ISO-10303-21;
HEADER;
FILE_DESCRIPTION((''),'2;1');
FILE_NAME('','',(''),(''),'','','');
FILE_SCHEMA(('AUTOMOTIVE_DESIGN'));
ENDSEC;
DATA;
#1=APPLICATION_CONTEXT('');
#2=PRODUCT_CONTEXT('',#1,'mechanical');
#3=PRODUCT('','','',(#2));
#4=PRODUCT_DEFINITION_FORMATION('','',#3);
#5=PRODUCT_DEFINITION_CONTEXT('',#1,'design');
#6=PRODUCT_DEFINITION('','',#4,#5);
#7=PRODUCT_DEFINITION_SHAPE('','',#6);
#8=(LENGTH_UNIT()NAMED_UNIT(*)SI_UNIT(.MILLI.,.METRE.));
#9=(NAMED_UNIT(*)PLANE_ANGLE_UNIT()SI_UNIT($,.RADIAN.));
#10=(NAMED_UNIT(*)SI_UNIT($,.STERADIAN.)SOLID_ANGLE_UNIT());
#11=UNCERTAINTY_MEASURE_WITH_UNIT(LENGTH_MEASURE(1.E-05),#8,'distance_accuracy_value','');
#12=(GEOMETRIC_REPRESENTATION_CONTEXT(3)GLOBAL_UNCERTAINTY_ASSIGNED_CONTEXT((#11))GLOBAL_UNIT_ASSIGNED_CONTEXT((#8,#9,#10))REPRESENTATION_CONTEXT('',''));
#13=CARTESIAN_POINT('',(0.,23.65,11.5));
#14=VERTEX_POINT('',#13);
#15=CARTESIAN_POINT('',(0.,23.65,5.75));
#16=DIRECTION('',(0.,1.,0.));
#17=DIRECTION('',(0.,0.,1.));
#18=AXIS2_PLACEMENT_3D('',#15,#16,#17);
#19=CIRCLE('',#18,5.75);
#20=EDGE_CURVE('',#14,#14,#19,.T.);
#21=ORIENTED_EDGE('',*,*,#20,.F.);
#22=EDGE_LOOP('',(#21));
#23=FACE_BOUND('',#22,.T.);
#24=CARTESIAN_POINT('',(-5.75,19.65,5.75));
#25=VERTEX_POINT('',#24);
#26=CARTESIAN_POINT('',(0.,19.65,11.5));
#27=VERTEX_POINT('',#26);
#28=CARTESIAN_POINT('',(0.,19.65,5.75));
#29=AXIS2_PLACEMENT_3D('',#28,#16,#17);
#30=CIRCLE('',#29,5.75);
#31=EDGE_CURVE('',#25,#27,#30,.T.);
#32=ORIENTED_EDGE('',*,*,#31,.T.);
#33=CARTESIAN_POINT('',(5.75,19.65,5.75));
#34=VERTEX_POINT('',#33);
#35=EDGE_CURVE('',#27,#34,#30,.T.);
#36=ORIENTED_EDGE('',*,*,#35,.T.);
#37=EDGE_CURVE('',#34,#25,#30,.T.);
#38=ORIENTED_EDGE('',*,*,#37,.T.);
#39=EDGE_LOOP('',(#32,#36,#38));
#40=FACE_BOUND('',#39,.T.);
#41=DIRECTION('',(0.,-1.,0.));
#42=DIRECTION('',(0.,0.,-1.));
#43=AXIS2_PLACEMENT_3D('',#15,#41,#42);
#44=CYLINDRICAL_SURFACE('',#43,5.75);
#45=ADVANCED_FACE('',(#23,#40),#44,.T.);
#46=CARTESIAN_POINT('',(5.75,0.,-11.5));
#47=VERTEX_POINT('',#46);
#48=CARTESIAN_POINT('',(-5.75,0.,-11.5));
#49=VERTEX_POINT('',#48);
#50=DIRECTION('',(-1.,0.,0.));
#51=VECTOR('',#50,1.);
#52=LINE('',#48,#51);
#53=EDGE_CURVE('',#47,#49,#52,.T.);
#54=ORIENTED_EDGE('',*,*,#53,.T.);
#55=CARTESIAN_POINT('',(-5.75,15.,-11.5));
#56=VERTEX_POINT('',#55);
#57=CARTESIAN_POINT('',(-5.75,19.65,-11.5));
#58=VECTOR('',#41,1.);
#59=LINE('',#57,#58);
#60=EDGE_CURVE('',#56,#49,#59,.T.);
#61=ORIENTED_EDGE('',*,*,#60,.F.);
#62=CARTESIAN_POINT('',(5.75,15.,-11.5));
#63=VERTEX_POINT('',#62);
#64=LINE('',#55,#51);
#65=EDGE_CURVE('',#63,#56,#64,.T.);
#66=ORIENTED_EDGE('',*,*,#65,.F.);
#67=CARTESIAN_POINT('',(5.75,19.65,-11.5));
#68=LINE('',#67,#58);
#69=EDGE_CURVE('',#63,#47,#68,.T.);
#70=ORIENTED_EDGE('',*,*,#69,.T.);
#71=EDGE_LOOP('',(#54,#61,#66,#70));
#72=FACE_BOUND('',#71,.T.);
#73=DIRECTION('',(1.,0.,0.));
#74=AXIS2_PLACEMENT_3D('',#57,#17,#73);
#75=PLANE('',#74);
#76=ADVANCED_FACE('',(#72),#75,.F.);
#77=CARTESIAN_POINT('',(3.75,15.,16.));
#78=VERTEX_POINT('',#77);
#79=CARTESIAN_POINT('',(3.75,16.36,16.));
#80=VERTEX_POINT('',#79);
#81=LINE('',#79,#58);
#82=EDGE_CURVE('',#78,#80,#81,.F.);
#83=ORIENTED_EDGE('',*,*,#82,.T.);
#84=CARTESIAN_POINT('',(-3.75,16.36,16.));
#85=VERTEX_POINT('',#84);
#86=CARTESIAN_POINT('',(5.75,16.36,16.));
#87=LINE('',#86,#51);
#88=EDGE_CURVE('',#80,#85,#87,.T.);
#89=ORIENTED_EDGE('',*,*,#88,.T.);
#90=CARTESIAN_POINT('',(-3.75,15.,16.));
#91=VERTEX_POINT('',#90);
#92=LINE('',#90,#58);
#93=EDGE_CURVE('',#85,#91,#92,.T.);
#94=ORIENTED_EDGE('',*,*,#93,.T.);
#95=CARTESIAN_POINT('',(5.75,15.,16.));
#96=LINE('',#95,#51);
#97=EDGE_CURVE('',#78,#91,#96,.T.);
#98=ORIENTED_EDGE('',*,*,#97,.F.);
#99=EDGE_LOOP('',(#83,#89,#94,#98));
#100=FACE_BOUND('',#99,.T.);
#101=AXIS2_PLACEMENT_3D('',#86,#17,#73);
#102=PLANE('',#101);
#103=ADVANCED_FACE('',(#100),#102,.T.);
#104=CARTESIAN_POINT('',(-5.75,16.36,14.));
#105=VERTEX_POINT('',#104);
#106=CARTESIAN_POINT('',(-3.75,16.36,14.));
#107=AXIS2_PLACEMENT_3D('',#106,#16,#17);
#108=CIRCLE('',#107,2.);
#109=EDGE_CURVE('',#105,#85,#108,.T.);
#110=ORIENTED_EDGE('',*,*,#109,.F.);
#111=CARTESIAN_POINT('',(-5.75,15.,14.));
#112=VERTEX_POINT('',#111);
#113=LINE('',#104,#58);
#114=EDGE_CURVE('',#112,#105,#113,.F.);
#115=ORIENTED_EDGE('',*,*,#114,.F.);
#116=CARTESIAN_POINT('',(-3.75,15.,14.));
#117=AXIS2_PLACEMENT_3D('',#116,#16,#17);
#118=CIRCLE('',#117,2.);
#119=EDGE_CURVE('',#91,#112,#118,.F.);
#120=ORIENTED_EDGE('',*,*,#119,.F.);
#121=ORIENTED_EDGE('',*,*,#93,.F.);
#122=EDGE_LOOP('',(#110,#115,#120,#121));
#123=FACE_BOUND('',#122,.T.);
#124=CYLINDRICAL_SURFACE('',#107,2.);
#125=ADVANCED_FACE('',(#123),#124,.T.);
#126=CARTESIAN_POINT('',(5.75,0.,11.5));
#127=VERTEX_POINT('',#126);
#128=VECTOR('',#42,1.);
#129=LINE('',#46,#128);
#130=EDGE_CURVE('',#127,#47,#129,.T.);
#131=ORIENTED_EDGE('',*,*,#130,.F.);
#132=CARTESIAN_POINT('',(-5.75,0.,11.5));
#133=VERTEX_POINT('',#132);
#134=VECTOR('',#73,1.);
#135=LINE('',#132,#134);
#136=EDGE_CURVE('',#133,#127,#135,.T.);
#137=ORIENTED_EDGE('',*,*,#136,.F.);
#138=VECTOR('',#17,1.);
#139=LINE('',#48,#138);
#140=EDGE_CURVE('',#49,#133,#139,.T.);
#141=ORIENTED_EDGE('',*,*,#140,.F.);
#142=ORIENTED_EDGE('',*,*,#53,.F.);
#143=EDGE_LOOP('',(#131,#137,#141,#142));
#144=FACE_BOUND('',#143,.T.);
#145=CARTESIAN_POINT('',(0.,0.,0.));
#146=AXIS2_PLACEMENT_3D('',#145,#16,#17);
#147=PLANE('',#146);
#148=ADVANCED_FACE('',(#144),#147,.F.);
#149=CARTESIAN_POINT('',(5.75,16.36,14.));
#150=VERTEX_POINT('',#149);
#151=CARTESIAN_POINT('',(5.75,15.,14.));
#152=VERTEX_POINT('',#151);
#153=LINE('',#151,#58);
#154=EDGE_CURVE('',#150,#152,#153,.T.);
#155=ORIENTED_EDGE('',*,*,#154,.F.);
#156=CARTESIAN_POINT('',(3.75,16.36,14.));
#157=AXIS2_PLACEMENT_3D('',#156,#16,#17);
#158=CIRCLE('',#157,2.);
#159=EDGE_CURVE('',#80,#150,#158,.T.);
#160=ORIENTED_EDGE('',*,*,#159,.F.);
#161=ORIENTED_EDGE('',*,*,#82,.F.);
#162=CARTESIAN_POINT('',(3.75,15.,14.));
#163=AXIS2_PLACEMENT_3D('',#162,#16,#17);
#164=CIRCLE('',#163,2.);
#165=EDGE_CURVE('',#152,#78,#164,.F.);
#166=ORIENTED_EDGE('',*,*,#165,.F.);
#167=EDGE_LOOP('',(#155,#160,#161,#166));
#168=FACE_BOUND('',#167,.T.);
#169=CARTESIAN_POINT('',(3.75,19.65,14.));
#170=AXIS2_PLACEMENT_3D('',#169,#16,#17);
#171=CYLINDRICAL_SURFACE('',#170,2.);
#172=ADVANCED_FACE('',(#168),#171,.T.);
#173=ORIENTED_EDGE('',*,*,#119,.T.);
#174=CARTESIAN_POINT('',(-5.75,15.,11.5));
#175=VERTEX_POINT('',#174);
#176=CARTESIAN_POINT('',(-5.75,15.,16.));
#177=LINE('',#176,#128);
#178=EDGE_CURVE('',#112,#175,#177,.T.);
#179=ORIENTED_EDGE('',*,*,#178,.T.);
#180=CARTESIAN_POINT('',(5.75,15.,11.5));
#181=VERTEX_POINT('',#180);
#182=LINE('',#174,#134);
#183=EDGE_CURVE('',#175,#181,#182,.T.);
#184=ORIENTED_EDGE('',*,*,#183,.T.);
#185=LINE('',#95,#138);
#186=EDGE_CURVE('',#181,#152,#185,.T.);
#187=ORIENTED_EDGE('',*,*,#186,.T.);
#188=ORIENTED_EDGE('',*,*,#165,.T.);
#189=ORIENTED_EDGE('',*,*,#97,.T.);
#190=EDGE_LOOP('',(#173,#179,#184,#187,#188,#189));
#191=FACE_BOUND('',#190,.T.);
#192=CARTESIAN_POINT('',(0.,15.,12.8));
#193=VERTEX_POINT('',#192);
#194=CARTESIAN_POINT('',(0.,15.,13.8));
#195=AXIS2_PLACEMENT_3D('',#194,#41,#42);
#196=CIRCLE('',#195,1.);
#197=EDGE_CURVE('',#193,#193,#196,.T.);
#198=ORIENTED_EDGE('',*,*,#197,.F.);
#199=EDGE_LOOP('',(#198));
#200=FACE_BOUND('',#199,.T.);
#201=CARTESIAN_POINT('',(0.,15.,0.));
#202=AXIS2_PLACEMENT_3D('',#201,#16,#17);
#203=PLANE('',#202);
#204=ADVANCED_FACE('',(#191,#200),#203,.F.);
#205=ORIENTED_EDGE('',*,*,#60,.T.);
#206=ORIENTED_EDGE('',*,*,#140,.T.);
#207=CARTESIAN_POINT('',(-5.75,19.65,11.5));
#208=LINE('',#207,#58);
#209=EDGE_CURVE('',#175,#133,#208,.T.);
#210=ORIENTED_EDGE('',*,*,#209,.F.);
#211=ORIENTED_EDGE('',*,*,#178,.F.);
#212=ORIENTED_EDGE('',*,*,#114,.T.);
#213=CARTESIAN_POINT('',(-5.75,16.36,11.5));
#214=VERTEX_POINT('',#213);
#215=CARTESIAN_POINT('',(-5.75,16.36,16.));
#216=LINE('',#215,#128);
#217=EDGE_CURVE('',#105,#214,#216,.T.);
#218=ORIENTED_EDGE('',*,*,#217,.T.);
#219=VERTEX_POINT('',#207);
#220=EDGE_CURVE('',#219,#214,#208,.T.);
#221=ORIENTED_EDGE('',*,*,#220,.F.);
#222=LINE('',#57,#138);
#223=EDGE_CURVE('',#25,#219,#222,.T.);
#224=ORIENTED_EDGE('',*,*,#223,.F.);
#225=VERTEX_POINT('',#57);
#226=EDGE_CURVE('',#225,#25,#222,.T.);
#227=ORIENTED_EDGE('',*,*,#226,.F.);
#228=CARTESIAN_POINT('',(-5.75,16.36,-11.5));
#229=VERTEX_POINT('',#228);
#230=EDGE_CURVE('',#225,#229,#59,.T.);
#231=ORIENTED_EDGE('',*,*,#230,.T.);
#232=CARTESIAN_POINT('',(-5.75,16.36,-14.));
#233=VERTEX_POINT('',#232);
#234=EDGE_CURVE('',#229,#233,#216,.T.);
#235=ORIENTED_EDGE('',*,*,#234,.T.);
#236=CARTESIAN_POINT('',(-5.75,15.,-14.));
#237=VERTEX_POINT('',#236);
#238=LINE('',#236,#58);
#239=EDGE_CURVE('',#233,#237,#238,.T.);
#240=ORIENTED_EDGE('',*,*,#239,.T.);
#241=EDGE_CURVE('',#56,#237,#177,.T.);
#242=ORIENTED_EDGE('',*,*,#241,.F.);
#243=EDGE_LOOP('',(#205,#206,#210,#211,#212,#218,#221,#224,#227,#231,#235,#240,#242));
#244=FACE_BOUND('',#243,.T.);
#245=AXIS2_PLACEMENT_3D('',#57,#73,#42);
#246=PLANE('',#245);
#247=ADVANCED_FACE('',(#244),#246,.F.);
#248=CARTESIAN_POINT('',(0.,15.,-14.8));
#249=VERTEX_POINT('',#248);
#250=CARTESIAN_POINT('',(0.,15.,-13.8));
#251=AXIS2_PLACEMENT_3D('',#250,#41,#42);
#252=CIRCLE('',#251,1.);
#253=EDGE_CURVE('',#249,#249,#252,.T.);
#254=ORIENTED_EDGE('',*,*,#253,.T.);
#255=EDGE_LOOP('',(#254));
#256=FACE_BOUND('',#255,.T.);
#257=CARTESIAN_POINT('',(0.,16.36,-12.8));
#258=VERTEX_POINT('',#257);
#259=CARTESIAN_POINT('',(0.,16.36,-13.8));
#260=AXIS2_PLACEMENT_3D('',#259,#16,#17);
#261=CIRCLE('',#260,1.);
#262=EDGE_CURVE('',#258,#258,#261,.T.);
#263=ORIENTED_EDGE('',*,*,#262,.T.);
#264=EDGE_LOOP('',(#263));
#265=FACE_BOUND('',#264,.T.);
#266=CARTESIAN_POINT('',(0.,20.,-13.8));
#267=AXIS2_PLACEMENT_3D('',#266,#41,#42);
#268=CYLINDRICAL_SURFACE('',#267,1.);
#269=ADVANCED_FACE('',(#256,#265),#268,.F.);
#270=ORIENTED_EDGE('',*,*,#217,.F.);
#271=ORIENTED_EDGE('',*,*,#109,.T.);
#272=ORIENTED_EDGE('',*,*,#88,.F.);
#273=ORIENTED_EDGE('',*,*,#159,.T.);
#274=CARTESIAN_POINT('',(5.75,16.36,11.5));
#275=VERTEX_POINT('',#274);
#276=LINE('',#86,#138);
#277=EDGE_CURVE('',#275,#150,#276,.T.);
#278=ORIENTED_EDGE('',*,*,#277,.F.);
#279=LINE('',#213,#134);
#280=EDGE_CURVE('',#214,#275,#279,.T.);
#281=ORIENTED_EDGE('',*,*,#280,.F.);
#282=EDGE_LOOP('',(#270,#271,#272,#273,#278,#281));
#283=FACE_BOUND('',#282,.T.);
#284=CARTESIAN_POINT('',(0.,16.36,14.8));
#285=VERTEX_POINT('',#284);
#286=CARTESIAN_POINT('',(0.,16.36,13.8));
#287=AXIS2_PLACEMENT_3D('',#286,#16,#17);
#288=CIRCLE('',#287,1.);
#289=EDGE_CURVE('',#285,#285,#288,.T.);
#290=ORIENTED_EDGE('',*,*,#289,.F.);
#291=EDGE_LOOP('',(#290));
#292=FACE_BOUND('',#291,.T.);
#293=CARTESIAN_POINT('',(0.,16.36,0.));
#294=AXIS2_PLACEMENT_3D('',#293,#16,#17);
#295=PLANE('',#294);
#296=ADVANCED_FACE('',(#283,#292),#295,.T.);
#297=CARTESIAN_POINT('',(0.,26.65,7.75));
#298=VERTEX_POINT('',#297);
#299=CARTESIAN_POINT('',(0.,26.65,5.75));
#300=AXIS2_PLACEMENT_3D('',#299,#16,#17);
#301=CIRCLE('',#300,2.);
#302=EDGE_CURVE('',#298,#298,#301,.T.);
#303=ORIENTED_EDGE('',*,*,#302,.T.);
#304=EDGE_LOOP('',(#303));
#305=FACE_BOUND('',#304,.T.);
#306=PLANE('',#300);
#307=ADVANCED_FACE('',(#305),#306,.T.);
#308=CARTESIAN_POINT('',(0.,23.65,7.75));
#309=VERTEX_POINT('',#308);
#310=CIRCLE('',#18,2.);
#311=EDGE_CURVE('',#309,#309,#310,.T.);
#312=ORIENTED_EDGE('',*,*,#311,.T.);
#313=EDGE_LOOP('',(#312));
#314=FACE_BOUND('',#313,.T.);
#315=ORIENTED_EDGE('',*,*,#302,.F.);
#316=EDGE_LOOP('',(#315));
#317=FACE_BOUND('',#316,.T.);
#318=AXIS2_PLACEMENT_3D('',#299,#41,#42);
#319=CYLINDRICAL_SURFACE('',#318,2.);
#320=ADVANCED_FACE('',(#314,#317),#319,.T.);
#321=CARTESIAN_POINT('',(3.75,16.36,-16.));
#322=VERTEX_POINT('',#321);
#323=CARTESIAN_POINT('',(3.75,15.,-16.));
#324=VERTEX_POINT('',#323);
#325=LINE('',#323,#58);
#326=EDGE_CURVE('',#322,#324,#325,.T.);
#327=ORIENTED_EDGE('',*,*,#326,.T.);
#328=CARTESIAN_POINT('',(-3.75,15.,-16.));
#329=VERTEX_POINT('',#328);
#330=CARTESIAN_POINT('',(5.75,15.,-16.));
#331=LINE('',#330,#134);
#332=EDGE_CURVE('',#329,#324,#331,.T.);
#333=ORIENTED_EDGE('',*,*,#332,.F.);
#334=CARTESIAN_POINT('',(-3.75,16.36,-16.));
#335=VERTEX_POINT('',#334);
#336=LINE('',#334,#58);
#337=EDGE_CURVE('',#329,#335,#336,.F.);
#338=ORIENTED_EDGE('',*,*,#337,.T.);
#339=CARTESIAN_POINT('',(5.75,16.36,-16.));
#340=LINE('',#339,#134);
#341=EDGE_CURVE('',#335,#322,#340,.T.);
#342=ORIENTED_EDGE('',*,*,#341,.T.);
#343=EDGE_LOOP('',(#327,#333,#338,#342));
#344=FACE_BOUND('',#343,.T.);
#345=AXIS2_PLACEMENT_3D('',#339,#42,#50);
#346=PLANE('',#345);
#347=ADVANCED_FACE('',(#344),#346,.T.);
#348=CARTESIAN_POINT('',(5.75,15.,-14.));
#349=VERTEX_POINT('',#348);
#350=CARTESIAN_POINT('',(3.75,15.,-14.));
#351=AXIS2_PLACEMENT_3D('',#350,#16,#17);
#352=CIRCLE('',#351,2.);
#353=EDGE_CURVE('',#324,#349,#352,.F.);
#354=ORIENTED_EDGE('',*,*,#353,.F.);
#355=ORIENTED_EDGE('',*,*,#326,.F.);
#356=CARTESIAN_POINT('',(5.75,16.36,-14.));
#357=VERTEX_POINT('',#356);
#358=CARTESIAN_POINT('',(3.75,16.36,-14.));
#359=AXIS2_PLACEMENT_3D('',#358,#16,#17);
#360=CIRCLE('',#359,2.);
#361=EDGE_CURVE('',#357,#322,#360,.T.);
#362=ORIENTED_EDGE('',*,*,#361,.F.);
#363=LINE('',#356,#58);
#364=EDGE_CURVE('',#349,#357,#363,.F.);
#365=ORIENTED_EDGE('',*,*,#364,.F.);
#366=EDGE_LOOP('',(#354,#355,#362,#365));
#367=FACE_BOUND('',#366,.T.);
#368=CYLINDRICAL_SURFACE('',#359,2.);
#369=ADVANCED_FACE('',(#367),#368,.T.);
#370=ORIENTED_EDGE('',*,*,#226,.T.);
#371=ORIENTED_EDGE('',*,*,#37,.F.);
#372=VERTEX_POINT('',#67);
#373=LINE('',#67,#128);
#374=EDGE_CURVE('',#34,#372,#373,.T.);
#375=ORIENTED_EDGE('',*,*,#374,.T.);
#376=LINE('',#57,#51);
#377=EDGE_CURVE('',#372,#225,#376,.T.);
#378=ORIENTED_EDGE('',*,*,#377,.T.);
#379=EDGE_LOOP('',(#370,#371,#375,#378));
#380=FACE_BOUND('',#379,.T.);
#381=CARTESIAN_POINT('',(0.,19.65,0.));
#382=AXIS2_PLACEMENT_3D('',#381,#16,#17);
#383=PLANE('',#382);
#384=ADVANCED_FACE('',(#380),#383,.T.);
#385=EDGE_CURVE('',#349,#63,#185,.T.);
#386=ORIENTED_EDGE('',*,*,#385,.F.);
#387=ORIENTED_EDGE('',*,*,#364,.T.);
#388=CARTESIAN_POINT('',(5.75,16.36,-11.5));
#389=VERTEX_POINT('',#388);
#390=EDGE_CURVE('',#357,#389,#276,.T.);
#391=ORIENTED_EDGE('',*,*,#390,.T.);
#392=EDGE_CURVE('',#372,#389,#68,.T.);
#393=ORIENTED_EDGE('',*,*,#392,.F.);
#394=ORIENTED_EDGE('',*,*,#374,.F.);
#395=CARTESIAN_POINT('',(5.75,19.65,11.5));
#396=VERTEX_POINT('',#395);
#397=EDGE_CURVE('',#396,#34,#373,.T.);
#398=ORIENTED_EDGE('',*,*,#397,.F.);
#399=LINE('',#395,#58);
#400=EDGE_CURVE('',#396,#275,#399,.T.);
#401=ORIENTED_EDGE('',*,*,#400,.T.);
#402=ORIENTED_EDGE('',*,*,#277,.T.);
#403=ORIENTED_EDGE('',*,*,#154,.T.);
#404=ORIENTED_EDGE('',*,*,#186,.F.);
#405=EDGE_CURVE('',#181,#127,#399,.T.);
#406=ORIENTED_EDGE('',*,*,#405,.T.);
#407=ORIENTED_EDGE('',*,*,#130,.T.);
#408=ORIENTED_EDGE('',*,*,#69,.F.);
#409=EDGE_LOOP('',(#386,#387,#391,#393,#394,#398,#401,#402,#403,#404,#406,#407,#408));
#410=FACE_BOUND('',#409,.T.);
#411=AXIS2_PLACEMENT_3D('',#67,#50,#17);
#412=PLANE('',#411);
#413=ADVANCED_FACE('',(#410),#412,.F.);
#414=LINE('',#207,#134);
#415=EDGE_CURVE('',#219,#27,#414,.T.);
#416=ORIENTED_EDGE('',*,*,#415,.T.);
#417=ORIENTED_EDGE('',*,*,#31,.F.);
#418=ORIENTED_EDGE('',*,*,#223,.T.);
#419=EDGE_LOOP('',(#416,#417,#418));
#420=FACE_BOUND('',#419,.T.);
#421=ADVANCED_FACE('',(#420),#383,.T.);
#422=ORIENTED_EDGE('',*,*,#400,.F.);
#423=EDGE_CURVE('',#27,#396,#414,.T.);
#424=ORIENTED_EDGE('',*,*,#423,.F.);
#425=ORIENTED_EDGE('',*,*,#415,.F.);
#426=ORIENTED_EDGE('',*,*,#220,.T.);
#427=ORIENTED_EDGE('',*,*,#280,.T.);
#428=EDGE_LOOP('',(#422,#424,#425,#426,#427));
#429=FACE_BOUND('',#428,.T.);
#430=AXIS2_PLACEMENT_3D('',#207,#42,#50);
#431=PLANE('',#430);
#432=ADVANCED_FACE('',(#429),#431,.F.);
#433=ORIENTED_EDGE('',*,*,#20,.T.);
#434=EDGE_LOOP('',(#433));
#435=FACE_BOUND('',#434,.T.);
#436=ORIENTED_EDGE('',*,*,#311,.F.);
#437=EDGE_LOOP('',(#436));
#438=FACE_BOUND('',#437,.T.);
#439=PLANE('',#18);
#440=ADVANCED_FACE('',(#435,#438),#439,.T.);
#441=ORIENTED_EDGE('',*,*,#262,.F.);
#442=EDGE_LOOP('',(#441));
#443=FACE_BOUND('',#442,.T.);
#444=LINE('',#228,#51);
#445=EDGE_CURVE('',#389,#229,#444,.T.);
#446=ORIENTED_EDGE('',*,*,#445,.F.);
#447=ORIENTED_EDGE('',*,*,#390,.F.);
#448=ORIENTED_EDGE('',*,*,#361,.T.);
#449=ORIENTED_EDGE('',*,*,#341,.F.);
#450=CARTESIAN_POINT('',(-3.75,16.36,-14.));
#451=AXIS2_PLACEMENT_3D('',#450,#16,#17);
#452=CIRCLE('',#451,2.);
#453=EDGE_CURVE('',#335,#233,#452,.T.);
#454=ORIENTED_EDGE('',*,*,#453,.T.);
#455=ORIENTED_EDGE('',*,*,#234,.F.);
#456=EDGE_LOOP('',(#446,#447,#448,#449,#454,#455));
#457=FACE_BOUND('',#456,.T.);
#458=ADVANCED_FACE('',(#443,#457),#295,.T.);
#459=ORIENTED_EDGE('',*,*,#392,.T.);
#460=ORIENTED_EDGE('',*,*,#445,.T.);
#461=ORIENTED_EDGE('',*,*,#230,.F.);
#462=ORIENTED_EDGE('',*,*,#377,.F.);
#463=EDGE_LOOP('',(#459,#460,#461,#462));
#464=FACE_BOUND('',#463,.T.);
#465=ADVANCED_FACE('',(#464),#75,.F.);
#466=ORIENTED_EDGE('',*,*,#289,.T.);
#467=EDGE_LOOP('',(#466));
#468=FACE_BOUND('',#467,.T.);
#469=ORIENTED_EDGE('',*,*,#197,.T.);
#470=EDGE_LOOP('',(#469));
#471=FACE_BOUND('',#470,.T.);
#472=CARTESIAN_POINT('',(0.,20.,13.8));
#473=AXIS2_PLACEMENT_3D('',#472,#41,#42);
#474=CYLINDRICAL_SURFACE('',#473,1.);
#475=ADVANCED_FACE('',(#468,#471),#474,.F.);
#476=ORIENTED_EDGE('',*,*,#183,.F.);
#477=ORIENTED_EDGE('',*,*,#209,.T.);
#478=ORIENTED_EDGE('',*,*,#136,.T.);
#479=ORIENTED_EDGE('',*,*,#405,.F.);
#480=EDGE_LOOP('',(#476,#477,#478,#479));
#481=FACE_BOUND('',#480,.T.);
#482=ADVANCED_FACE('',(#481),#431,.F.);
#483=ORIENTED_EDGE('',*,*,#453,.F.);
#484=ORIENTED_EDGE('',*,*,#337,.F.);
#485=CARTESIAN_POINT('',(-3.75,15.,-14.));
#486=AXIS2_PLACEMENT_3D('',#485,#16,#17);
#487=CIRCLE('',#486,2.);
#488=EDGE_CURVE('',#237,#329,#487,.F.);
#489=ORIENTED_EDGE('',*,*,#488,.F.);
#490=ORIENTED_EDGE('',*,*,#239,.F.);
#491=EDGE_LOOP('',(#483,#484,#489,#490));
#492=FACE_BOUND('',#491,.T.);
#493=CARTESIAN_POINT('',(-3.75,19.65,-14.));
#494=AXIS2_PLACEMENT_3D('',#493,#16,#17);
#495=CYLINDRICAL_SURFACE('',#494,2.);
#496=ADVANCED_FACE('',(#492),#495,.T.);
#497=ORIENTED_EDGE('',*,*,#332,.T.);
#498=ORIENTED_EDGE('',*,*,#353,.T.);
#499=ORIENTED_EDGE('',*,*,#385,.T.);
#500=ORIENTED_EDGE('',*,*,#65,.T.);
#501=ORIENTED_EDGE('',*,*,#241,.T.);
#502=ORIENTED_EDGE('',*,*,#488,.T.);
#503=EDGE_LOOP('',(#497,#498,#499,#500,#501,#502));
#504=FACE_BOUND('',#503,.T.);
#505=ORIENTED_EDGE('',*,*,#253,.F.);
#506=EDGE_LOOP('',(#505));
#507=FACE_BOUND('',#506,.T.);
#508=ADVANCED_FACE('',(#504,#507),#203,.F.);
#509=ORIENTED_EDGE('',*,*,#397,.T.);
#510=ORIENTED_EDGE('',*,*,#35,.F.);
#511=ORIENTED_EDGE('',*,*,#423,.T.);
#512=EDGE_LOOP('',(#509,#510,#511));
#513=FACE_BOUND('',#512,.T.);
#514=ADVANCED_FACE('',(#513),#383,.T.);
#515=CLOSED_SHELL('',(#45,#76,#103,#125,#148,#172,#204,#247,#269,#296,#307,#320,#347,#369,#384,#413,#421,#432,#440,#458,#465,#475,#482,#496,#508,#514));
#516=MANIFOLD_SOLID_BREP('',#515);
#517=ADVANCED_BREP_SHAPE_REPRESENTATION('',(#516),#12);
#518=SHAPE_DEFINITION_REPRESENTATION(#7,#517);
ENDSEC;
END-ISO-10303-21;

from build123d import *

# Parameters (mm, degrees)
SKETCH_1_W          = 11.5
SKETCH_1_H          = 23
EXTRUDE_1_DEPTH     = 19.65
SKETCH_3_W          = 11.5
SKETCH_3_H          = 32
EXTRUDE_3_DEPTH     = 1.36
SKETCH_4_R          = 1
CUT_EXTRUDE_1_DEPTH = 5
FILLET_8_R          = 2
SKETCH_9_R          = 5.75
EXTRUDE_7_DEPTH     = 4
SKETCH_10_R         = 2
EXTRUDE_8_DEPTH     = 3


with BuildPart() as part:
    # 草图1 → 凸台-拉伸1 (new body)
    with BuildSketch(Plane(origin=(0, 0, 0), x_dir=(1, 0, 0), z_dir=(0, 1, 0))):
        Rectangle(SKETCH_1_W, SKETCH_1_H)
    extrude(amount=EXTRUDE_1_DEPTH)

    # 草图3 → 凸台-拉伸3 (add)
    with BuildSketch(Plane(origin=(0, 15, 0), x_dir=(-1, 0, 0), z_dir=(0, -1, 0))):
        Rectangle(SKETCH_3_W, SKETCH_3_H)
    extrude(amount=-EXTRUDE_3_DEPTH)

    # 草图4 → 切除-拉伸1 (cut)
    with BuildSketch(Plane(origin=(0, 15, 0), x_dir=(-1, 0, 0), z_dir=(0, -1, 0))):
        with Locations(Location((0, 13.8, 0), (0, 0, 90))):
            Circle(SKETCH_4_R)
        with Locations(Location((0, -13.8, 0), (0, 0, 90))):
            Circle(SKETCH_4_R)
    extrude(amount=-CUT_EXTRUDE_1_DEPTH, mode=Mode.SUBTRACT)

    # 圆角8
    fillet_8_edges = [part.edges().sort_by_distance(p)[0] for p in [
        (-5.75, 15.68, -16),
        (5.75, 15.68, 16),
        (-5.75, 15.68, 16),
        (5.75, 15.68, -16),
    ]]
    fillet(fillet_8_edges, radius=FILLET_8_R)

    # 草图9 → 凸台-拉伸7 (add)
    with BuildSketch(Plane(origin=(0, 19.65, 0), x_dir=(1, 0, 0), z_dir=(0, 1, 0))):
        with Locations(Location((0, -5.75, 0), (0, 0, 270))):
            Circle(SKETCH_9_R)
    extrude(amount=EXTRUDE_7_DEPTH)

    # 草图10 → 凸台-拉伸8 (add)
    with BuildSketch(Plane(origin=(0, 23.65, 0), x_dir=(1, 0, 0), z_dir=(0, 1, 0))):
        with Locations(Location((0, -5.75, 0), (0, 0, 270))):
            Circle(SKETCH_10_R)
    extrude(amount=EXTRUDE_8_DEPTH)


solid = part.part
